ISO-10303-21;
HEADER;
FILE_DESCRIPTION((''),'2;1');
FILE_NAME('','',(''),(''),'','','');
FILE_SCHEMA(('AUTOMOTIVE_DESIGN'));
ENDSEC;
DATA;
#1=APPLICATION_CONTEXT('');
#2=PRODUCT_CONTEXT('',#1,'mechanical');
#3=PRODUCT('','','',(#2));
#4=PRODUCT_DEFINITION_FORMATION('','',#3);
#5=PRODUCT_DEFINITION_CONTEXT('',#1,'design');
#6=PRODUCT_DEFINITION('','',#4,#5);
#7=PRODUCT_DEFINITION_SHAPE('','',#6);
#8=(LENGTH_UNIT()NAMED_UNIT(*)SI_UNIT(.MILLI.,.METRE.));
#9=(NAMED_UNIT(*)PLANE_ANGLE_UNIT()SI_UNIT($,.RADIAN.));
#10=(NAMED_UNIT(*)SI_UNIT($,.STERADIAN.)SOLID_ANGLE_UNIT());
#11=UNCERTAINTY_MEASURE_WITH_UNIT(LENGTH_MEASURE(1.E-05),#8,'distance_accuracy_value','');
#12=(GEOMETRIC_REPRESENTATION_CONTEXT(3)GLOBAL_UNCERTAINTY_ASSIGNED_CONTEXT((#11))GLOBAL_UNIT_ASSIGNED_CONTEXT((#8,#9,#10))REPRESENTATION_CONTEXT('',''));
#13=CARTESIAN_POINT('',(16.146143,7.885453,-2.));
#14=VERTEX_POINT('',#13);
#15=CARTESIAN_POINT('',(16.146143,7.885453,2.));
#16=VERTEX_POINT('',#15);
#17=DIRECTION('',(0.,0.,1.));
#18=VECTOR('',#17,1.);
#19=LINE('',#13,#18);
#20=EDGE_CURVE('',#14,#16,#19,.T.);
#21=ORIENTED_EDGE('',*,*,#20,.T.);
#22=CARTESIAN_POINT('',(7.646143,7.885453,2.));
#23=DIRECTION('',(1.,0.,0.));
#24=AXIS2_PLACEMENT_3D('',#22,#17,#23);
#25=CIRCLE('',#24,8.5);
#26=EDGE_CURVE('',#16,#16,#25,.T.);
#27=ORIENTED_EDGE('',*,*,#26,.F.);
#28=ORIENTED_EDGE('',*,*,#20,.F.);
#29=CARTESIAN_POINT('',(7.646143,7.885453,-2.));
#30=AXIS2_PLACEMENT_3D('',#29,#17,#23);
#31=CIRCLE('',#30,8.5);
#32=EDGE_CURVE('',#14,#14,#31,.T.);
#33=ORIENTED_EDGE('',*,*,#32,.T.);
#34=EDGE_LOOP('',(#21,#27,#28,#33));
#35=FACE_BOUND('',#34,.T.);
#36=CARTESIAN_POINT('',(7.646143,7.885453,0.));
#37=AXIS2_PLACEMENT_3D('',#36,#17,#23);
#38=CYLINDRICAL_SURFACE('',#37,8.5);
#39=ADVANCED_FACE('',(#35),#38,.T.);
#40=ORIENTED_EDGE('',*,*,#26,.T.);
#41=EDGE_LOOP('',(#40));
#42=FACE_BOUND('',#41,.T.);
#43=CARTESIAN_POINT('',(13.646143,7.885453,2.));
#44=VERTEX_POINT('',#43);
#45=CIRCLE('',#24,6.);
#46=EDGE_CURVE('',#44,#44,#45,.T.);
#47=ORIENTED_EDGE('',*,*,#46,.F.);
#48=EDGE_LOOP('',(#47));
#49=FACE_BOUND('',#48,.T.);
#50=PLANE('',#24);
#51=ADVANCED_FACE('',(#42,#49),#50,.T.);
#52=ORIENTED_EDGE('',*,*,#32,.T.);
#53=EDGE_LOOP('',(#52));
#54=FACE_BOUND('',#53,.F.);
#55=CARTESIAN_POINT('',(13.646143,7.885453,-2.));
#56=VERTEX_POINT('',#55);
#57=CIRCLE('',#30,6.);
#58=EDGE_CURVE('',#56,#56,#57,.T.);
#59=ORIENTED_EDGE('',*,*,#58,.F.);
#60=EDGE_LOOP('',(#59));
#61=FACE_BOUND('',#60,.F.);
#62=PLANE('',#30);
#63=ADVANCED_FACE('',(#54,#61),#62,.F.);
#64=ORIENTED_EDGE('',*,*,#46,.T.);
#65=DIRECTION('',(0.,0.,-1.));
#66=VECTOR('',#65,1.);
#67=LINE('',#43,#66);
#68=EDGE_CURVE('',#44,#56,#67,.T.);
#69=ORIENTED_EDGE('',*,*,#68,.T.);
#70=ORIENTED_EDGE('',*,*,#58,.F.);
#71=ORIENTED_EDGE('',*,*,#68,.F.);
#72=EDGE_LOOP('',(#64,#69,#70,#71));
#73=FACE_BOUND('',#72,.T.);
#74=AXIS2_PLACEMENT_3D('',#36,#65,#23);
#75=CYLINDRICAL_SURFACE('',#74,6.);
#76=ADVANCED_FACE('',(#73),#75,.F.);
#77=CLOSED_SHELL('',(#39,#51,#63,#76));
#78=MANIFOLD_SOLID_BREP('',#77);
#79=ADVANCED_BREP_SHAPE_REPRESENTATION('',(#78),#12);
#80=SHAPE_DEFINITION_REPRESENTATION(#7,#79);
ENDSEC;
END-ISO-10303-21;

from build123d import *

# Parameters (mm, degrees)
SKETCH_R   = 8.5
SKETCH_R_2 = 6
PAD_DEPTH  = 2


with BuildPart() as part:
    # Sketch → Pad (new body, symmetric)
    with BuildSketch(Plane.XY):
        with Locations((7.646143, 7.885453)):
            Circle(SKETCH_R)
        with Locations((7.646143, 7.885453)):
            Circle(SKETCH_R_2, mode=Mode.SUBTRACT)
    extrude(amount=PAD_DEPTH, both=True)


solid = part.part
